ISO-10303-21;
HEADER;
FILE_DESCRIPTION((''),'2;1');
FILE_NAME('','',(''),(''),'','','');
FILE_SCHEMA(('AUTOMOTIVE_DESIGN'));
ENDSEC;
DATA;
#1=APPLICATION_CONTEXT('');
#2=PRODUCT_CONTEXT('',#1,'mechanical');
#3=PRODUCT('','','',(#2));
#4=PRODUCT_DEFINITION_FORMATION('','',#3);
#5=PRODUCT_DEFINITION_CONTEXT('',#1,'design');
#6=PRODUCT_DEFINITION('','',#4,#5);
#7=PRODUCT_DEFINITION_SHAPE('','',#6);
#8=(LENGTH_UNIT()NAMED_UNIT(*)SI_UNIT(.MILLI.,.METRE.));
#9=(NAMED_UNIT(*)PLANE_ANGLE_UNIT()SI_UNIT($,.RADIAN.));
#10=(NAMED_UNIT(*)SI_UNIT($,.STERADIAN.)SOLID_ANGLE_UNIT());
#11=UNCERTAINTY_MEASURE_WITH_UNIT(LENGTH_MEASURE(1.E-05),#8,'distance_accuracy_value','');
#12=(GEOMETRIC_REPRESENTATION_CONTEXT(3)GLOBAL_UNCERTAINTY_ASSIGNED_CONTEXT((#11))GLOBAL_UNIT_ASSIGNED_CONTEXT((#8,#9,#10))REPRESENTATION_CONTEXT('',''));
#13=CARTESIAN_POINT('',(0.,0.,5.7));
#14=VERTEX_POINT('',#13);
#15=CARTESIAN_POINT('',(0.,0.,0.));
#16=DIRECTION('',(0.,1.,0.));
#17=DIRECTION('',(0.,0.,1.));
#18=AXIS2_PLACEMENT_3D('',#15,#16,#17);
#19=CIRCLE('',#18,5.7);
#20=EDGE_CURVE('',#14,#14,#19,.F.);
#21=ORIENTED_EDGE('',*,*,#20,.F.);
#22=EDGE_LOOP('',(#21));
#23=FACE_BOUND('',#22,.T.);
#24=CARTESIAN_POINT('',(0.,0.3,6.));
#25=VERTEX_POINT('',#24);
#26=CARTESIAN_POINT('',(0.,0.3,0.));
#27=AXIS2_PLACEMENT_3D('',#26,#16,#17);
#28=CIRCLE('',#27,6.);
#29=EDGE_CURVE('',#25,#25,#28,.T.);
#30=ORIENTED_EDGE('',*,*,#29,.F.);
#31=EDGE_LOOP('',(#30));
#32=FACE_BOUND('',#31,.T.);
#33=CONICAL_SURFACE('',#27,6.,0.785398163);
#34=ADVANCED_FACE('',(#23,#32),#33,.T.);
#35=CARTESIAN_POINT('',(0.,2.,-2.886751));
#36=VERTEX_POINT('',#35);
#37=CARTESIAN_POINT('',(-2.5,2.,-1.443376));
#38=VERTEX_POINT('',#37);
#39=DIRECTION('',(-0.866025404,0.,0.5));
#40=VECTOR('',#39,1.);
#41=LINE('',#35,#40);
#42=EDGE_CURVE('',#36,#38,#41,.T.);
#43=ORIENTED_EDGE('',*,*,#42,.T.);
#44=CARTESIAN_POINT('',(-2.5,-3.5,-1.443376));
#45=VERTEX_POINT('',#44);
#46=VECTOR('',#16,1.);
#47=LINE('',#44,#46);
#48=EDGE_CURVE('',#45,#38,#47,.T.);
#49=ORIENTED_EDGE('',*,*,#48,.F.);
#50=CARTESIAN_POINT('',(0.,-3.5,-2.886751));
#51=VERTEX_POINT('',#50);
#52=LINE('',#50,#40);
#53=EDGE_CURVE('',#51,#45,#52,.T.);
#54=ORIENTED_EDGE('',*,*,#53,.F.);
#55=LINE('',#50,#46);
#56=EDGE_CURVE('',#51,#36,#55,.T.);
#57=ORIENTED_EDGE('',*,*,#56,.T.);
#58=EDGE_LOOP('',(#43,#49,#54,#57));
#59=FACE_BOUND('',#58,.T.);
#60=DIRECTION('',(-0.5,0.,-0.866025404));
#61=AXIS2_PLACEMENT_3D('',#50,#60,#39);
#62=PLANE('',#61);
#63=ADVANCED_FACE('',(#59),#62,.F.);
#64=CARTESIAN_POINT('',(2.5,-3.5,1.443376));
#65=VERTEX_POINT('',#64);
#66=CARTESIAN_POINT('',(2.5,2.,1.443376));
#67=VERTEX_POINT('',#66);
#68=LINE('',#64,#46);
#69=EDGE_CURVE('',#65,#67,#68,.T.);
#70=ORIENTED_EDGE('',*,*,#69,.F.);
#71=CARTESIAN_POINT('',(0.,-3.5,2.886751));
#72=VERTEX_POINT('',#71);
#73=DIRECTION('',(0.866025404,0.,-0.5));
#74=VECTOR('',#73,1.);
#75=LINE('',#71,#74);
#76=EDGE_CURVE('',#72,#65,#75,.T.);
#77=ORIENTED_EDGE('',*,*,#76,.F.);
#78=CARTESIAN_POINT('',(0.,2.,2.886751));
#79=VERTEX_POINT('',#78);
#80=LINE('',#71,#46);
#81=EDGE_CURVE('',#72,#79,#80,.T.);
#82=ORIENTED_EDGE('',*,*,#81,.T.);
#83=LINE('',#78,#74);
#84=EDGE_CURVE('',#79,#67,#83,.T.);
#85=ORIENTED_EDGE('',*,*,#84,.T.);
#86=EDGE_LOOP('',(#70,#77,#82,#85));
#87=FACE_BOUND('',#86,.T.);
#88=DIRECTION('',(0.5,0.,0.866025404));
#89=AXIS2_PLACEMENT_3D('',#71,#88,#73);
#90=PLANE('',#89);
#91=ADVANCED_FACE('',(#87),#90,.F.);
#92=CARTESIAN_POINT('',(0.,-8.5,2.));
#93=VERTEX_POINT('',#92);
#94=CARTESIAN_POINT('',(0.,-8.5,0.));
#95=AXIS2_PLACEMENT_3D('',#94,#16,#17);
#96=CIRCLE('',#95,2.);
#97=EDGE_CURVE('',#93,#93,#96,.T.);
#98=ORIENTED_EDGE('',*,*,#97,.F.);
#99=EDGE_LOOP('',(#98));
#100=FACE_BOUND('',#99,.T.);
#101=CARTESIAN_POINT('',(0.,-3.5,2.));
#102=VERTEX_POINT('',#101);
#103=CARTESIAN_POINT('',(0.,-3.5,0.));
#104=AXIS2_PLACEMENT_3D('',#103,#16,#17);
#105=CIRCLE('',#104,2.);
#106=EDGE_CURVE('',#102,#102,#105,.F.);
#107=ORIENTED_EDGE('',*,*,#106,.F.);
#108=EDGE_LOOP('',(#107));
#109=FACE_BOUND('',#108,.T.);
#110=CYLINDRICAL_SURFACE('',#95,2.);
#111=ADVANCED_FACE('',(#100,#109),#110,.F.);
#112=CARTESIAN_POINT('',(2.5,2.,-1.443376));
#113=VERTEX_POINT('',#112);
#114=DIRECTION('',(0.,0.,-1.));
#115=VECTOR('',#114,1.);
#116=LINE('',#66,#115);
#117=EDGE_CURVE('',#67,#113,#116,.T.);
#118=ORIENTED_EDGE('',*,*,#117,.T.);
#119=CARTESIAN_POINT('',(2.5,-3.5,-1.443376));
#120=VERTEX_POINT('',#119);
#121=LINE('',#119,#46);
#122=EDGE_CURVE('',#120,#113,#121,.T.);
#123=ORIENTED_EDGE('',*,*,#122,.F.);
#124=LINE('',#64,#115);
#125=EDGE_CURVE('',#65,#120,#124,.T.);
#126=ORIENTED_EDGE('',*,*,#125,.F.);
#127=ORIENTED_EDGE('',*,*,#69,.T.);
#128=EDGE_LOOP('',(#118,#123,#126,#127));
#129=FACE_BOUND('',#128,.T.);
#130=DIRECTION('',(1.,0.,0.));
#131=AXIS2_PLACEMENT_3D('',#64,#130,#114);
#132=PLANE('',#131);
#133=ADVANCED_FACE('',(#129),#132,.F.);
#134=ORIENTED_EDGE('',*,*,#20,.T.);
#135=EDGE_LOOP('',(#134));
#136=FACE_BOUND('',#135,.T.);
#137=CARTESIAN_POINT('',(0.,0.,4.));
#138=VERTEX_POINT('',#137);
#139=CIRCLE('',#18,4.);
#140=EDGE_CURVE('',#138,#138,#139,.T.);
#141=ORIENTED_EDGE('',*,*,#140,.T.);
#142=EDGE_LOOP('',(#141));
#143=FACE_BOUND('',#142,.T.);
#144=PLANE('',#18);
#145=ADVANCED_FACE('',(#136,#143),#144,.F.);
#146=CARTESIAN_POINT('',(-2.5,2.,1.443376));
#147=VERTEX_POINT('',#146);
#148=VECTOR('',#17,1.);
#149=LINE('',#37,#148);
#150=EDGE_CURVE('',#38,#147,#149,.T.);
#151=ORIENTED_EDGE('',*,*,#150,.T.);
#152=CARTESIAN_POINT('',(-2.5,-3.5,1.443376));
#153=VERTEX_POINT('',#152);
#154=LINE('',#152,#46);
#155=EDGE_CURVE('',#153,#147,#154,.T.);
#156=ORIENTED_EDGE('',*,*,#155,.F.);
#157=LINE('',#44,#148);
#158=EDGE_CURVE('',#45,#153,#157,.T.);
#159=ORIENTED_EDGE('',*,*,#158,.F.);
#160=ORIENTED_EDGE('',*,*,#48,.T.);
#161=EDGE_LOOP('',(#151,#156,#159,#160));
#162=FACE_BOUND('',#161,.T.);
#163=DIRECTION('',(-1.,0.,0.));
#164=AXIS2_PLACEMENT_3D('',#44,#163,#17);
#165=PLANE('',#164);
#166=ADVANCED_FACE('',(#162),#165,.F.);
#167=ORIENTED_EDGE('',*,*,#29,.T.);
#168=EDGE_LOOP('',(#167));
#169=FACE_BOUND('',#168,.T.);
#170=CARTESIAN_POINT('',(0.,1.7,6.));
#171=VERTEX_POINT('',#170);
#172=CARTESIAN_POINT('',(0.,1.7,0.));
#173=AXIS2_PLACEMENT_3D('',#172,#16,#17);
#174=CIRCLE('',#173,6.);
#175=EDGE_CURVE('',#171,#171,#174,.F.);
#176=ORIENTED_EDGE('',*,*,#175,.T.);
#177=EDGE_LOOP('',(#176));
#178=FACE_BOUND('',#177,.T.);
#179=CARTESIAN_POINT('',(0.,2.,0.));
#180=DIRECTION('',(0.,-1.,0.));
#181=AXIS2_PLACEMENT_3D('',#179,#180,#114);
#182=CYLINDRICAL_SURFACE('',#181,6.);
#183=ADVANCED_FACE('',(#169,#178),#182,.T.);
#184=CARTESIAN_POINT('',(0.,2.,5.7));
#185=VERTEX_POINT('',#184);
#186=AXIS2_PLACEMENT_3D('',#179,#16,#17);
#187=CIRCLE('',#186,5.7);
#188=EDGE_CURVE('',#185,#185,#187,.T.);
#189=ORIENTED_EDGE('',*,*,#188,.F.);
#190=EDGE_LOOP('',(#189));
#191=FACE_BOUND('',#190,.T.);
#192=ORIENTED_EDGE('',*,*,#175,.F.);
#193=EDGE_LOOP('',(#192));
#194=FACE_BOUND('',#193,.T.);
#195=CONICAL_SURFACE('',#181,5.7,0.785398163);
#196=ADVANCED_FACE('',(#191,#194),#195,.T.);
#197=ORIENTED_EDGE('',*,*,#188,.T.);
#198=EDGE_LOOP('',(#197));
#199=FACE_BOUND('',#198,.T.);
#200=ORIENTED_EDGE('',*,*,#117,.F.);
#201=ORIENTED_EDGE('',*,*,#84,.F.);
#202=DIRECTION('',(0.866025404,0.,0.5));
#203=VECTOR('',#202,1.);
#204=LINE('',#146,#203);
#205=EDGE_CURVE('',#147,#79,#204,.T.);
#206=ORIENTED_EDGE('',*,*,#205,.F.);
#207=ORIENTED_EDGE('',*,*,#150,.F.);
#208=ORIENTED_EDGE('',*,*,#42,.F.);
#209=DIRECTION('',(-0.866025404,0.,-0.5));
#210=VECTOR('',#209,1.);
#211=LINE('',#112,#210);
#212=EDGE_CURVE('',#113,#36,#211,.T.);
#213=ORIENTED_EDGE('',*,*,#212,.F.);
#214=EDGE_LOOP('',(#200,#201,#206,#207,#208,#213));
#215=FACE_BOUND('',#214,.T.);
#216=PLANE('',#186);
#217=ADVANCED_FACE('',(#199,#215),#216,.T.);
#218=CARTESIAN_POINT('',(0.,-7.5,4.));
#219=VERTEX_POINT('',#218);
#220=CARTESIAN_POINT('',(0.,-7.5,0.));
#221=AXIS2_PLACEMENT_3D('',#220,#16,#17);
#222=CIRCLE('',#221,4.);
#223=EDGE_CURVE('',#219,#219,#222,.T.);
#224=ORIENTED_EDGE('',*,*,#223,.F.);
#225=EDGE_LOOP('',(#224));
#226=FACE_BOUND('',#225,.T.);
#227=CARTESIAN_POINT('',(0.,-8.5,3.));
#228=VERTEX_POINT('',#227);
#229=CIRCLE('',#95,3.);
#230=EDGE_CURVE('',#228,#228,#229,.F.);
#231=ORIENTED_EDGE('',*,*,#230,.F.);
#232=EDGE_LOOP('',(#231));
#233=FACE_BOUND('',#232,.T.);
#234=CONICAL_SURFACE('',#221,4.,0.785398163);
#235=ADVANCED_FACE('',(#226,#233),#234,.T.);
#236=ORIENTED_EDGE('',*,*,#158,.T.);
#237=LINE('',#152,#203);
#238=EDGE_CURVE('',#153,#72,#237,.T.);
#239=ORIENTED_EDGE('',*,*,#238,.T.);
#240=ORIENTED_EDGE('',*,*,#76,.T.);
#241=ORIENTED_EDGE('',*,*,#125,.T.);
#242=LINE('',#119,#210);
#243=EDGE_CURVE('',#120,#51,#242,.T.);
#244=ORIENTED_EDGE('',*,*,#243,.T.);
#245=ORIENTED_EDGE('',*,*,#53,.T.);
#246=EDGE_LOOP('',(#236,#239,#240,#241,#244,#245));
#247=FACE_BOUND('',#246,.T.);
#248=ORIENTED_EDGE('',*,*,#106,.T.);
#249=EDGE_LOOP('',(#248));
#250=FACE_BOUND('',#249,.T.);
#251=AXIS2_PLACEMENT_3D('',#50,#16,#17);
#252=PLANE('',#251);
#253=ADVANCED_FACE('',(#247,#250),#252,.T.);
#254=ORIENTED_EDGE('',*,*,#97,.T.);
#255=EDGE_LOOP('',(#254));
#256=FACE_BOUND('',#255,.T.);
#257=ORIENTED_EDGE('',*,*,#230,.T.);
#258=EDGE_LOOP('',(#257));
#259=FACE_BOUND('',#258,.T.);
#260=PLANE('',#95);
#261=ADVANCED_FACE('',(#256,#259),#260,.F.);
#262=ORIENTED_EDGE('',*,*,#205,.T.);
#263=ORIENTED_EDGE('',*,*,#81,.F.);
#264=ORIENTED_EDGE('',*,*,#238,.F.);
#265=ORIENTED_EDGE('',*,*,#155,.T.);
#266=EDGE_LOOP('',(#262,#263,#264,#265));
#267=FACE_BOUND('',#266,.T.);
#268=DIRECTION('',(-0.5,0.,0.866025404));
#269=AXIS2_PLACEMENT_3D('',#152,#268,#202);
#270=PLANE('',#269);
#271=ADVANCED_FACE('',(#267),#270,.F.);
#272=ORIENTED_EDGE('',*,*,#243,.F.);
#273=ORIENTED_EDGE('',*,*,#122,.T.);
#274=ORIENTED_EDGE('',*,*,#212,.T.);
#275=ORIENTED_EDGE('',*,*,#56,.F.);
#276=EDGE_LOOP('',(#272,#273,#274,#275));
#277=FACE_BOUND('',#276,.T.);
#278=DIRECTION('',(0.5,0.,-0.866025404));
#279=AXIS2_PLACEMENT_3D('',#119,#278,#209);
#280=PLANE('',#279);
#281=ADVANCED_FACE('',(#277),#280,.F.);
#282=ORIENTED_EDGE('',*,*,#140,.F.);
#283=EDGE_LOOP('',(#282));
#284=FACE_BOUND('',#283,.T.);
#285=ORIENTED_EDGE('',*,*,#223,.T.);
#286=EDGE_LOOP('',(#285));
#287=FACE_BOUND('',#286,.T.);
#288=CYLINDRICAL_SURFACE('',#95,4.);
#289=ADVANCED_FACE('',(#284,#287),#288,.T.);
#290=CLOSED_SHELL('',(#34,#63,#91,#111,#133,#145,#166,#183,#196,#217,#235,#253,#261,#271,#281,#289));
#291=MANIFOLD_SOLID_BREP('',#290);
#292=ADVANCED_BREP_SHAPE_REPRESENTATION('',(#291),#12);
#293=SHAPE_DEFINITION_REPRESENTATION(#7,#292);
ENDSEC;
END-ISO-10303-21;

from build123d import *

# Parameters (mm, degrees)
ESQUISSE2_R             = 4
EXTRUSION1_DEPTH        = 8.5
ESQUISSE3_R             = 6
EXTRUSION2_DEPTH        = 2
ESQUISSE4_R             = 2
ENL_V_MAT_EXTRU_1_DEPTH = 11.5
ENL_V_MAT_EXTRU_2_DEPTH = 5.5
CHANFREIN1_SIZE         = 0.3
CHANFREIN2_SIZE         = 1


with BuildPart() as part:
    # Esquisse2 → Extrusion1 (new body)
    with BuildSketch(Plane(origin=(0, 0, 0), x_dir=(1, 0, 0), z_dir=(0, 1, 0))):
        with Locations(Location((0, 0, 0), (0, 0, 270))):  # turned: the seam where the file's is
            Circle(ESQUISSE2_R)
    extrude(amount=-EXTRUSION1_DEPTH)

    # Esquisse3 → Extrusion2 (add)
    with BuildSketch(Plane(origin=(0, 0, 0), x_dir=(-1, 0, 0), z_dir=(0, 1, 0))):
        with Locations(Location((0, 0, 0), (0, 0, 90))):  # turned: the seam where the file's is
            Circle(ESQUISSE3_R)
    extrude(amount=EXTRUSION2_DEPTH)

    # Esquisse4 → Enlèv. mat.-Extru.1 (cut, through all)
    with BuildSketch(Plane(origin=(0, 2, 0), x_dir=(-1, 0, 0), z_dir=(0, 1, 0))):
        with Locations(Location((0, 0, 0), (0, 0, 90))):  # turned: the seam where the file's is
            Circle(ESQUISSE4_R)
    extrude(amount=-ENL_V_MAT_EXTRU_1_DEPTH, mode=Mode.SUBTRACT)

    # Esquisse5 → Enlèv. mat.-Extru.2 (cut)
    with BuildSketch(Plane(origin=(0, 2, 0), x_dir=(-1, 0, 0), z_dir=(0, 1, 0))):
        Polygon((0, -2.886751346), (2.5, -1.443375673), (2.5, 1.443375673), (0, 2.886751346), (-2.5, 1.443375673), (-2.5, -1.443375673), align=None)
    extrude(amount=-ENL_V_MAT_EXTRU_2_DEPTH, mode=Mode.SUBTRACT)

    # Chanfrein1
    chanfrein1_edges = [part.edges().sort_by_distance(p)[0] for p in [
        (0, 0, -6),
        (0, 2, -6),
    ]]
    chamfer(chanfrein1_edges, length=CHANFREIN1_SIZE)

    # Chanfrein2
    chanfrein2_edges = [part.edges().sort_by_distance(p)[0] for p in [
        (0, -8.5, -4),
    ]]
    chamfer(chanfrein2_edges, length=CHANFREIN2_SIZE)


solid = part.part
